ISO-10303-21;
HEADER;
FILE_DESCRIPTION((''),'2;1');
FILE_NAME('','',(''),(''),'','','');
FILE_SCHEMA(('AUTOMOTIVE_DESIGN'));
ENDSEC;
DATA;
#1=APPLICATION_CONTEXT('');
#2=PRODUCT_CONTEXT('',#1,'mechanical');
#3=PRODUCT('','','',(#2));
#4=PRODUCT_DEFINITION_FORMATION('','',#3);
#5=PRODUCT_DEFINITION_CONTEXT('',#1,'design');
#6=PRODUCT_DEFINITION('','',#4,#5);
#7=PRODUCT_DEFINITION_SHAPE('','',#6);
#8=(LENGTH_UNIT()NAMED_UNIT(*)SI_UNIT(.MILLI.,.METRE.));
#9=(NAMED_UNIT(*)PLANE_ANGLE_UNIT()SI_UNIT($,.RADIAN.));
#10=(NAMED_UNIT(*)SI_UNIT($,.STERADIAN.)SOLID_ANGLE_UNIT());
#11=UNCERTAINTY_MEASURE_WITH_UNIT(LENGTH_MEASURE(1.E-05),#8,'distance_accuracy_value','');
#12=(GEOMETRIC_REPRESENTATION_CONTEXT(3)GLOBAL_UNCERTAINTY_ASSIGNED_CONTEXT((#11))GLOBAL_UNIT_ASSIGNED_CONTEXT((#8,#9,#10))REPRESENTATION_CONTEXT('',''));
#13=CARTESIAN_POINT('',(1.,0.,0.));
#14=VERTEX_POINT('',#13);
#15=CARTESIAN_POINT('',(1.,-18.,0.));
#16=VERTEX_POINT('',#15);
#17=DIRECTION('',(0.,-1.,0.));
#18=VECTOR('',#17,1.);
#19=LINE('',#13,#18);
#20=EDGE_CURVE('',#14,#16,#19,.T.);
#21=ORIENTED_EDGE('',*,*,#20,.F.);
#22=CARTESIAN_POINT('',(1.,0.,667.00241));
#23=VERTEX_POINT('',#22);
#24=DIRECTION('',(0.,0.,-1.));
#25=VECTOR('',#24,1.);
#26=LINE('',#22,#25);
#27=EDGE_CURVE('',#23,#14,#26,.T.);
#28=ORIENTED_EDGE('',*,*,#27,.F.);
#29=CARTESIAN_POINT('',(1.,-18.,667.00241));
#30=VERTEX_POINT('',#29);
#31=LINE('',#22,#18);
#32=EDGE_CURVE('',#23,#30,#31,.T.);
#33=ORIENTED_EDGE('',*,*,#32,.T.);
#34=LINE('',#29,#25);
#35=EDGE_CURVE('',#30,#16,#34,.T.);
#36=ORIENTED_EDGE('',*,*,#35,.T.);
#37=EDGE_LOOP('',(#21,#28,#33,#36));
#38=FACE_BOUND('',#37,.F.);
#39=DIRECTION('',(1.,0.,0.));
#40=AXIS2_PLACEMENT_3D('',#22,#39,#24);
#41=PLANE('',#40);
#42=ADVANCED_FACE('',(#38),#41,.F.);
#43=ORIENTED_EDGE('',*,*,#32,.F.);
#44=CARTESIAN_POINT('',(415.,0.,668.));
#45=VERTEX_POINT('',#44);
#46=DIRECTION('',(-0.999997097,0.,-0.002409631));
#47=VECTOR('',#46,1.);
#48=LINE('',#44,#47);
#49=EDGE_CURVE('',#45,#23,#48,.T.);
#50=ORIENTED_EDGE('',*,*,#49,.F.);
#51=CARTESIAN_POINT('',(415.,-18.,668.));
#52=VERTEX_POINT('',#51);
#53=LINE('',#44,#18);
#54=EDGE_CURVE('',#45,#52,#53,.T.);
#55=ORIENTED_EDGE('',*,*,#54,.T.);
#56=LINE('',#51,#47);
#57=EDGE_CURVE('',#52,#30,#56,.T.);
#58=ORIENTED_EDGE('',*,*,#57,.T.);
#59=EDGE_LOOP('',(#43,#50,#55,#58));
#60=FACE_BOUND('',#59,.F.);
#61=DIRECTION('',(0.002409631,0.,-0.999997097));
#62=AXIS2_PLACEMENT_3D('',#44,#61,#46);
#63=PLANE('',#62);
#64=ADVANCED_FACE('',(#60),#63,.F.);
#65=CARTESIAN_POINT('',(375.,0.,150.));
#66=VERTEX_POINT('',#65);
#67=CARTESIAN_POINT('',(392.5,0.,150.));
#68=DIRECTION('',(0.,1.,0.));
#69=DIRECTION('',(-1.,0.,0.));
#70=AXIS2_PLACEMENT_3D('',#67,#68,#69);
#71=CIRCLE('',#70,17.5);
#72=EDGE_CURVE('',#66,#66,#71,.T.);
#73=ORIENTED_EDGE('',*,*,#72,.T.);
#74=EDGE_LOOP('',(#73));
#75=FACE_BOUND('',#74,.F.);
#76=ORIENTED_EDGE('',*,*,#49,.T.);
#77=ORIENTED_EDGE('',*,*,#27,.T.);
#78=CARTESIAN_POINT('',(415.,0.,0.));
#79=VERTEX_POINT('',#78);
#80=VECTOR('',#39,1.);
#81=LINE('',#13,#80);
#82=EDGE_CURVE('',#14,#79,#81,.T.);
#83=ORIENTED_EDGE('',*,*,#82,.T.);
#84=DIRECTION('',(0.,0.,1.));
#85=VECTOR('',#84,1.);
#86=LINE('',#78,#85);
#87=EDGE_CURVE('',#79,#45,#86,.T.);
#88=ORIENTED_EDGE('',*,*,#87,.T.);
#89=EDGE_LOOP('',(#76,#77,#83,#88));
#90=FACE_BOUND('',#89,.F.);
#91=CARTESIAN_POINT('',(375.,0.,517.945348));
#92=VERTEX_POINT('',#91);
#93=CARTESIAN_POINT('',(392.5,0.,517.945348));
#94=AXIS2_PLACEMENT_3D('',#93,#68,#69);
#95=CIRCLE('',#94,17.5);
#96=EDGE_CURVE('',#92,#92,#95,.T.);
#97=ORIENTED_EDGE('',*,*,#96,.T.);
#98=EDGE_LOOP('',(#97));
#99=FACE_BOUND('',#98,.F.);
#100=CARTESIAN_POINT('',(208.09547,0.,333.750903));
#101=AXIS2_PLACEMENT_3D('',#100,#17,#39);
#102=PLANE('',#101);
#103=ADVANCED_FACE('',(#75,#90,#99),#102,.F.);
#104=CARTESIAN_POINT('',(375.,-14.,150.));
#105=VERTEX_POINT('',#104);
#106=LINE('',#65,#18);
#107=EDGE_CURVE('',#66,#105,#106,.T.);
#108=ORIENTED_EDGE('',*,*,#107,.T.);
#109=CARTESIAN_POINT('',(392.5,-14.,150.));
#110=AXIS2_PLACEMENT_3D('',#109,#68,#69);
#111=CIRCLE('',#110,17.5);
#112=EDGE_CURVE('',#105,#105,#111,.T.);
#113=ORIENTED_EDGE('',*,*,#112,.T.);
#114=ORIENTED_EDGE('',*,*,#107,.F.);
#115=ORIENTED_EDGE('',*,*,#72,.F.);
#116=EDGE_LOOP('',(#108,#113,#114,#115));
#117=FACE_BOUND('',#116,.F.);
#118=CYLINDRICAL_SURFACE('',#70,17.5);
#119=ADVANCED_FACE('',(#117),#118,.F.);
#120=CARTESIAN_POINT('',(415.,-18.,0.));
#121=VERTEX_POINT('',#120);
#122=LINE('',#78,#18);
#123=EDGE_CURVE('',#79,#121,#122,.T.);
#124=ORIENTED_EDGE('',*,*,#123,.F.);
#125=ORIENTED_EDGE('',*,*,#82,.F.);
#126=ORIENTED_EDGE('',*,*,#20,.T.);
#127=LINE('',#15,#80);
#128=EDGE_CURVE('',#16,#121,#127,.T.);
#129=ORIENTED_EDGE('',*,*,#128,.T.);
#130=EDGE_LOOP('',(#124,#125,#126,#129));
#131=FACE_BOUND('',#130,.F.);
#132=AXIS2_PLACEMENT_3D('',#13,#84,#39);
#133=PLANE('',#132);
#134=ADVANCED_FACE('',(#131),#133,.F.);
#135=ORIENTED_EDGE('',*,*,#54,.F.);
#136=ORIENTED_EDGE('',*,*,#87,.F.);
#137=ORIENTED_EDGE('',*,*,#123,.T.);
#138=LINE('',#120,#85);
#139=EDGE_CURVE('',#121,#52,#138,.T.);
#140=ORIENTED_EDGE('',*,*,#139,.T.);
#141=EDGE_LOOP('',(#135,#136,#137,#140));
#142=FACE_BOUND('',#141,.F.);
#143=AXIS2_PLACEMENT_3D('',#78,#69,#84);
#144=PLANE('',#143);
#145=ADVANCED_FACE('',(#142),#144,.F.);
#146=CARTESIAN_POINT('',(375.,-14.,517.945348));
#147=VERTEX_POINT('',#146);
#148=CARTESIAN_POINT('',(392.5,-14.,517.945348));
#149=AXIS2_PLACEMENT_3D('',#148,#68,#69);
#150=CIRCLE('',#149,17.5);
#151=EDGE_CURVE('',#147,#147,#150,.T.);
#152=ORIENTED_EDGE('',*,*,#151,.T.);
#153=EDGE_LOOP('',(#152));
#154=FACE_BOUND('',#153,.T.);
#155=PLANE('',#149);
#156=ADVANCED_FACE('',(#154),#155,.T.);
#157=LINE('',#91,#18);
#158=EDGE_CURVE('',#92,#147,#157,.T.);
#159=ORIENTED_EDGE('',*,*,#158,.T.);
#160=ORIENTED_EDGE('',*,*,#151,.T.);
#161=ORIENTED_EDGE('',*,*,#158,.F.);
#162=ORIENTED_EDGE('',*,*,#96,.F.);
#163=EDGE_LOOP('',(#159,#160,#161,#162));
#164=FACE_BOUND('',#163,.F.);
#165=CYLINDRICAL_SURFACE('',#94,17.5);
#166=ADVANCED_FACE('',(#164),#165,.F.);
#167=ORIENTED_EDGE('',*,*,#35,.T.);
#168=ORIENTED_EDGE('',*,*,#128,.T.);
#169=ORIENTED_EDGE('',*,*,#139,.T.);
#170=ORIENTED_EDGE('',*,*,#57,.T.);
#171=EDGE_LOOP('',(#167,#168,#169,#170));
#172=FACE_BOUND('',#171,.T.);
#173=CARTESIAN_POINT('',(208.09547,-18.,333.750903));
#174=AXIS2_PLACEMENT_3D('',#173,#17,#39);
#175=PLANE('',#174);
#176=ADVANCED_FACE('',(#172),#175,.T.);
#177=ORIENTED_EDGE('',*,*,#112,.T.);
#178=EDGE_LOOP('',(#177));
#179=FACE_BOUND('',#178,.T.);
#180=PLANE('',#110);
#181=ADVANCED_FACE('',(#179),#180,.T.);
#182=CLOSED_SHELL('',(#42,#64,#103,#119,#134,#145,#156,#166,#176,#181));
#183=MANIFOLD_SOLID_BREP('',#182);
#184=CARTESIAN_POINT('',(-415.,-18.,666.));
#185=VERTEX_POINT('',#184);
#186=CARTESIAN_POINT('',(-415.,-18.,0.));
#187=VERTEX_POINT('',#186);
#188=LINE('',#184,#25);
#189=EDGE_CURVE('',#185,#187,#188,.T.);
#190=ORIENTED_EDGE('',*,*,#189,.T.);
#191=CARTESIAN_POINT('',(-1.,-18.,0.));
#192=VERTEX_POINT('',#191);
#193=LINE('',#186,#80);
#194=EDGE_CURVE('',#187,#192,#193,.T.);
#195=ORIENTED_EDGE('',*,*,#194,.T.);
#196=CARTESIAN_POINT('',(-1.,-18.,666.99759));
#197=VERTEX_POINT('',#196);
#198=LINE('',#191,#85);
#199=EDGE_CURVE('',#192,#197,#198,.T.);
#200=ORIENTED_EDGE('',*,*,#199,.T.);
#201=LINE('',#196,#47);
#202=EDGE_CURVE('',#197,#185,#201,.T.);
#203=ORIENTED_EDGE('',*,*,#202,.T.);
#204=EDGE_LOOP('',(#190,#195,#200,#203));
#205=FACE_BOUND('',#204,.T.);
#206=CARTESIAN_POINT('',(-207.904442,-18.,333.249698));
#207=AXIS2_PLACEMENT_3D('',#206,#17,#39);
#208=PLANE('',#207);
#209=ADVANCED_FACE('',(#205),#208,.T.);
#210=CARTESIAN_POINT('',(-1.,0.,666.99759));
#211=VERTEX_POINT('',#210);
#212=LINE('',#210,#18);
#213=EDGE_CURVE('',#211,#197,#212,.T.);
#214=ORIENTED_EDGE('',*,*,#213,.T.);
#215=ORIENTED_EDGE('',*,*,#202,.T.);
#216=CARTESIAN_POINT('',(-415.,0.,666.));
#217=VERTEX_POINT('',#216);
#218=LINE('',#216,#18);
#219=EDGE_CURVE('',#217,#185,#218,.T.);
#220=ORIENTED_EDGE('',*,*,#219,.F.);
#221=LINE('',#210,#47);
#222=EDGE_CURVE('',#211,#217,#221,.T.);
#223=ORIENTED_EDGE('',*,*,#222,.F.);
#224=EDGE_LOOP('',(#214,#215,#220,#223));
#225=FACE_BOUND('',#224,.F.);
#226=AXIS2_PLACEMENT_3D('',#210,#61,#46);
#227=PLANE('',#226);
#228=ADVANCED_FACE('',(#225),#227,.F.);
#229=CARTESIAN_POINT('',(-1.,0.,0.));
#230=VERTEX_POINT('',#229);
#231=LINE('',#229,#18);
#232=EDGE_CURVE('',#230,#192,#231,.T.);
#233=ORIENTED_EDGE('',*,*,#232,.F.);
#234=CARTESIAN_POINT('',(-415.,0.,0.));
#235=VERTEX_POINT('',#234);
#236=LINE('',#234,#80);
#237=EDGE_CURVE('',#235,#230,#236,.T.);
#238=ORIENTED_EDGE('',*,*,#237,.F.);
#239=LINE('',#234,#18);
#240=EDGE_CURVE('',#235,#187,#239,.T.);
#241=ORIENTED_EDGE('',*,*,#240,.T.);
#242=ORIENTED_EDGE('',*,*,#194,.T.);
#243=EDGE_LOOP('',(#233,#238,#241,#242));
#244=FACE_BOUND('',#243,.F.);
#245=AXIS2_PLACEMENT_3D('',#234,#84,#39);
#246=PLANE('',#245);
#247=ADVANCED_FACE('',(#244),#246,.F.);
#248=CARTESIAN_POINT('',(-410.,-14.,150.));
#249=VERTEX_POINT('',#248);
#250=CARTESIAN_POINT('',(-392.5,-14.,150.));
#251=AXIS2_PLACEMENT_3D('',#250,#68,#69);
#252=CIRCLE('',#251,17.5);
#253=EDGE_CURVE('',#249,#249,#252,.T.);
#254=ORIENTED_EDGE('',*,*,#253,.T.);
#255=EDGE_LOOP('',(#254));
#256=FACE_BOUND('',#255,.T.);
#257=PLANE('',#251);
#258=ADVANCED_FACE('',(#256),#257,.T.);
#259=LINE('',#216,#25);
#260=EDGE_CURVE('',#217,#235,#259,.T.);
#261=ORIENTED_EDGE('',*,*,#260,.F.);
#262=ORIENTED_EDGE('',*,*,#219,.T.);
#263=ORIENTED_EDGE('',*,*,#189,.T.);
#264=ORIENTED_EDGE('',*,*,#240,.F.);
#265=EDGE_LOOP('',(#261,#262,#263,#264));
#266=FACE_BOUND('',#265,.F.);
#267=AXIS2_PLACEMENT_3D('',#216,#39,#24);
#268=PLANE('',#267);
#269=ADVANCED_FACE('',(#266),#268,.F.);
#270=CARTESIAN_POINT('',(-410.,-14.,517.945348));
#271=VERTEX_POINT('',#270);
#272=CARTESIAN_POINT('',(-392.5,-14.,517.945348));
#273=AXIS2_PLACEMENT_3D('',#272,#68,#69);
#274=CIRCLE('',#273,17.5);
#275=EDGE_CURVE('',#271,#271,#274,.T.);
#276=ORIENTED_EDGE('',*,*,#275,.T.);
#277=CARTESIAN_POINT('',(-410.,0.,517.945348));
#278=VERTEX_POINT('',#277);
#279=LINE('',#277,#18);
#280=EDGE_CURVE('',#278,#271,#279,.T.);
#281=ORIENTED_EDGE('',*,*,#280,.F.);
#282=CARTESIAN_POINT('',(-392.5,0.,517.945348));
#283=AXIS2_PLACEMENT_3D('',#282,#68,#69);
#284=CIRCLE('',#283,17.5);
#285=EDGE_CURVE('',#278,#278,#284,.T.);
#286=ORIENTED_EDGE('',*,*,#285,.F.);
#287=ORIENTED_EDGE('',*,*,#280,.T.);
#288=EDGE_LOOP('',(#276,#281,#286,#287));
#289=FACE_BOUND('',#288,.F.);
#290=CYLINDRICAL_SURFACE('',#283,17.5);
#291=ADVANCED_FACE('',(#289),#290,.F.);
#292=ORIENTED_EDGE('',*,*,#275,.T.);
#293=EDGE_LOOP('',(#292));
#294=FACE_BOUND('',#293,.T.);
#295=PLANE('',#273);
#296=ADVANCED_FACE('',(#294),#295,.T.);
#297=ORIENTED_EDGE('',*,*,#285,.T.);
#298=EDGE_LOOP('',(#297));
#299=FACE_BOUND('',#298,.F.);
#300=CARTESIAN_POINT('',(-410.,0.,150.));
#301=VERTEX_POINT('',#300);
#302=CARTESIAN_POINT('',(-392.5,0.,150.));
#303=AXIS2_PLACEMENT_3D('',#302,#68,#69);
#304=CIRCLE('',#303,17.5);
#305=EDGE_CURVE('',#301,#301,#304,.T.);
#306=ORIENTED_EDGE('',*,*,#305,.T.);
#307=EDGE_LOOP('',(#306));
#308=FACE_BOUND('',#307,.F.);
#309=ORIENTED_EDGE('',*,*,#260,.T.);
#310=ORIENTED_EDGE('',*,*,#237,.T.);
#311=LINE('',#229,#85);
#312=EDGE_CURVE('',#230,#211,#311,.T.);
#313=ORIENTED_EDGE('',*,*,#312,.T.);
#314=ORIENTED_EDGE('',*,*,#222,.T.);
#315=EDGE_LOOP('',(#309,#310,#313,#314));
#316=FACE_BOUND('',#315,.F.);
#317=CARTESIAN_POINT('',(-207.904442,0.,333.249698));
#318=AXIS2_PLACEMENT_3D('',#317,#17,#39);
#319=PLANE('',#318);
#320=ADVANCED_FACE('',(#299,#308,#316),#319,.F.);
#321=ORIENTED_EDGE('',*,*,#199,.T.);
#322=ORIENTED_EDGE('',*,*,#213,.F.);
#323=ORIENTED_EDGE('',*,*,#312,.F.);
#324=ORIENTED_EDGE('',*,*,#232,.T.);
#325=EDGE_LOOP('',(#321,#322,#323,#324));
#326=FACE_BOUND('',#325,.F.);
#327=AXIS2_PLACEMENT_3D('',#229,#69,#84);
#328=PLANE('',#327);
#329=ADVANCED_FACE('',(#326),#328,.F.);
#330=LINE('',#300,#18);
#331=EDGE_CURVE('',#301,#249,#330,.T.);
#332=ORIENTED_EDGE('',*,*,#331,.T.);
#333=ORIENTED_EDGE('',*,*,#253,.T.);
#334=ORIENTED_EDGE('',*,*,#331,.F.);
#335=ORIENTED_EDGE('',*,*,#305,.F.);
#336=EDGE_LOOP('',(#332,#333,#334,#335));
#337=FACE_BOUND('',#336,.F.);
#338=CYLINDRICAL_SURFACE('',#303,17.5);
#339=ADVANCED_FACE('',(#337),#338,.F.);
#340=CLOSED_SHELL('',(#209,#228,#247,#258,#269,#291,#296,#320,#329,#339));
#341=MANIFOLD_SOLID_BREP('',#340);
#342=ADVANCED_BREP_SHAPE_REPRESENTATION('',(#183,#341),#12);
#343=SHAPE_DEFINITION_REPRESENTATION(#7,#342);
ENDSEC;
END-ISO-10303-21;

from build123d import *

# Parameters (mm, degrees)
F1_DEPTH = 18
F2_R     = 17.5
F3_DEPTH = 14


with BuildPart() as f1:
    # F0 (on Front) → F1 (new body)
    with BuildSketch(Plane.XZ):
        Polygon((-1, 666.99759), (-415, 666), (-415, 0), (-1, 0), align=None)
        Polygon((415, 668), (1, 667.00241), (1, 0), (415, 0), align=None)
    extrude(amount=F1_DEPTH)

    # F2 (on face) → F3 (cut)
    with BuildSketch(Plane(origin=(0, 0, 0), x_dir=(-1, 0, 0), z_dir=(0, 1, 0))):
        with Locations((-392.5, 517.945348)):
            Circle(F2_R)
        with Locations((-392.5, 150)):
            Circle(F2_R)
        with Locations((392.5, 517.945348)):
            Circle(F2_R)
        with Locations((392.5, 150)):
            Circle(F2_R)
    extrude(amount=-F3_DEPTH, mode=Mode.SUBTRACT)


solid = f1.part
